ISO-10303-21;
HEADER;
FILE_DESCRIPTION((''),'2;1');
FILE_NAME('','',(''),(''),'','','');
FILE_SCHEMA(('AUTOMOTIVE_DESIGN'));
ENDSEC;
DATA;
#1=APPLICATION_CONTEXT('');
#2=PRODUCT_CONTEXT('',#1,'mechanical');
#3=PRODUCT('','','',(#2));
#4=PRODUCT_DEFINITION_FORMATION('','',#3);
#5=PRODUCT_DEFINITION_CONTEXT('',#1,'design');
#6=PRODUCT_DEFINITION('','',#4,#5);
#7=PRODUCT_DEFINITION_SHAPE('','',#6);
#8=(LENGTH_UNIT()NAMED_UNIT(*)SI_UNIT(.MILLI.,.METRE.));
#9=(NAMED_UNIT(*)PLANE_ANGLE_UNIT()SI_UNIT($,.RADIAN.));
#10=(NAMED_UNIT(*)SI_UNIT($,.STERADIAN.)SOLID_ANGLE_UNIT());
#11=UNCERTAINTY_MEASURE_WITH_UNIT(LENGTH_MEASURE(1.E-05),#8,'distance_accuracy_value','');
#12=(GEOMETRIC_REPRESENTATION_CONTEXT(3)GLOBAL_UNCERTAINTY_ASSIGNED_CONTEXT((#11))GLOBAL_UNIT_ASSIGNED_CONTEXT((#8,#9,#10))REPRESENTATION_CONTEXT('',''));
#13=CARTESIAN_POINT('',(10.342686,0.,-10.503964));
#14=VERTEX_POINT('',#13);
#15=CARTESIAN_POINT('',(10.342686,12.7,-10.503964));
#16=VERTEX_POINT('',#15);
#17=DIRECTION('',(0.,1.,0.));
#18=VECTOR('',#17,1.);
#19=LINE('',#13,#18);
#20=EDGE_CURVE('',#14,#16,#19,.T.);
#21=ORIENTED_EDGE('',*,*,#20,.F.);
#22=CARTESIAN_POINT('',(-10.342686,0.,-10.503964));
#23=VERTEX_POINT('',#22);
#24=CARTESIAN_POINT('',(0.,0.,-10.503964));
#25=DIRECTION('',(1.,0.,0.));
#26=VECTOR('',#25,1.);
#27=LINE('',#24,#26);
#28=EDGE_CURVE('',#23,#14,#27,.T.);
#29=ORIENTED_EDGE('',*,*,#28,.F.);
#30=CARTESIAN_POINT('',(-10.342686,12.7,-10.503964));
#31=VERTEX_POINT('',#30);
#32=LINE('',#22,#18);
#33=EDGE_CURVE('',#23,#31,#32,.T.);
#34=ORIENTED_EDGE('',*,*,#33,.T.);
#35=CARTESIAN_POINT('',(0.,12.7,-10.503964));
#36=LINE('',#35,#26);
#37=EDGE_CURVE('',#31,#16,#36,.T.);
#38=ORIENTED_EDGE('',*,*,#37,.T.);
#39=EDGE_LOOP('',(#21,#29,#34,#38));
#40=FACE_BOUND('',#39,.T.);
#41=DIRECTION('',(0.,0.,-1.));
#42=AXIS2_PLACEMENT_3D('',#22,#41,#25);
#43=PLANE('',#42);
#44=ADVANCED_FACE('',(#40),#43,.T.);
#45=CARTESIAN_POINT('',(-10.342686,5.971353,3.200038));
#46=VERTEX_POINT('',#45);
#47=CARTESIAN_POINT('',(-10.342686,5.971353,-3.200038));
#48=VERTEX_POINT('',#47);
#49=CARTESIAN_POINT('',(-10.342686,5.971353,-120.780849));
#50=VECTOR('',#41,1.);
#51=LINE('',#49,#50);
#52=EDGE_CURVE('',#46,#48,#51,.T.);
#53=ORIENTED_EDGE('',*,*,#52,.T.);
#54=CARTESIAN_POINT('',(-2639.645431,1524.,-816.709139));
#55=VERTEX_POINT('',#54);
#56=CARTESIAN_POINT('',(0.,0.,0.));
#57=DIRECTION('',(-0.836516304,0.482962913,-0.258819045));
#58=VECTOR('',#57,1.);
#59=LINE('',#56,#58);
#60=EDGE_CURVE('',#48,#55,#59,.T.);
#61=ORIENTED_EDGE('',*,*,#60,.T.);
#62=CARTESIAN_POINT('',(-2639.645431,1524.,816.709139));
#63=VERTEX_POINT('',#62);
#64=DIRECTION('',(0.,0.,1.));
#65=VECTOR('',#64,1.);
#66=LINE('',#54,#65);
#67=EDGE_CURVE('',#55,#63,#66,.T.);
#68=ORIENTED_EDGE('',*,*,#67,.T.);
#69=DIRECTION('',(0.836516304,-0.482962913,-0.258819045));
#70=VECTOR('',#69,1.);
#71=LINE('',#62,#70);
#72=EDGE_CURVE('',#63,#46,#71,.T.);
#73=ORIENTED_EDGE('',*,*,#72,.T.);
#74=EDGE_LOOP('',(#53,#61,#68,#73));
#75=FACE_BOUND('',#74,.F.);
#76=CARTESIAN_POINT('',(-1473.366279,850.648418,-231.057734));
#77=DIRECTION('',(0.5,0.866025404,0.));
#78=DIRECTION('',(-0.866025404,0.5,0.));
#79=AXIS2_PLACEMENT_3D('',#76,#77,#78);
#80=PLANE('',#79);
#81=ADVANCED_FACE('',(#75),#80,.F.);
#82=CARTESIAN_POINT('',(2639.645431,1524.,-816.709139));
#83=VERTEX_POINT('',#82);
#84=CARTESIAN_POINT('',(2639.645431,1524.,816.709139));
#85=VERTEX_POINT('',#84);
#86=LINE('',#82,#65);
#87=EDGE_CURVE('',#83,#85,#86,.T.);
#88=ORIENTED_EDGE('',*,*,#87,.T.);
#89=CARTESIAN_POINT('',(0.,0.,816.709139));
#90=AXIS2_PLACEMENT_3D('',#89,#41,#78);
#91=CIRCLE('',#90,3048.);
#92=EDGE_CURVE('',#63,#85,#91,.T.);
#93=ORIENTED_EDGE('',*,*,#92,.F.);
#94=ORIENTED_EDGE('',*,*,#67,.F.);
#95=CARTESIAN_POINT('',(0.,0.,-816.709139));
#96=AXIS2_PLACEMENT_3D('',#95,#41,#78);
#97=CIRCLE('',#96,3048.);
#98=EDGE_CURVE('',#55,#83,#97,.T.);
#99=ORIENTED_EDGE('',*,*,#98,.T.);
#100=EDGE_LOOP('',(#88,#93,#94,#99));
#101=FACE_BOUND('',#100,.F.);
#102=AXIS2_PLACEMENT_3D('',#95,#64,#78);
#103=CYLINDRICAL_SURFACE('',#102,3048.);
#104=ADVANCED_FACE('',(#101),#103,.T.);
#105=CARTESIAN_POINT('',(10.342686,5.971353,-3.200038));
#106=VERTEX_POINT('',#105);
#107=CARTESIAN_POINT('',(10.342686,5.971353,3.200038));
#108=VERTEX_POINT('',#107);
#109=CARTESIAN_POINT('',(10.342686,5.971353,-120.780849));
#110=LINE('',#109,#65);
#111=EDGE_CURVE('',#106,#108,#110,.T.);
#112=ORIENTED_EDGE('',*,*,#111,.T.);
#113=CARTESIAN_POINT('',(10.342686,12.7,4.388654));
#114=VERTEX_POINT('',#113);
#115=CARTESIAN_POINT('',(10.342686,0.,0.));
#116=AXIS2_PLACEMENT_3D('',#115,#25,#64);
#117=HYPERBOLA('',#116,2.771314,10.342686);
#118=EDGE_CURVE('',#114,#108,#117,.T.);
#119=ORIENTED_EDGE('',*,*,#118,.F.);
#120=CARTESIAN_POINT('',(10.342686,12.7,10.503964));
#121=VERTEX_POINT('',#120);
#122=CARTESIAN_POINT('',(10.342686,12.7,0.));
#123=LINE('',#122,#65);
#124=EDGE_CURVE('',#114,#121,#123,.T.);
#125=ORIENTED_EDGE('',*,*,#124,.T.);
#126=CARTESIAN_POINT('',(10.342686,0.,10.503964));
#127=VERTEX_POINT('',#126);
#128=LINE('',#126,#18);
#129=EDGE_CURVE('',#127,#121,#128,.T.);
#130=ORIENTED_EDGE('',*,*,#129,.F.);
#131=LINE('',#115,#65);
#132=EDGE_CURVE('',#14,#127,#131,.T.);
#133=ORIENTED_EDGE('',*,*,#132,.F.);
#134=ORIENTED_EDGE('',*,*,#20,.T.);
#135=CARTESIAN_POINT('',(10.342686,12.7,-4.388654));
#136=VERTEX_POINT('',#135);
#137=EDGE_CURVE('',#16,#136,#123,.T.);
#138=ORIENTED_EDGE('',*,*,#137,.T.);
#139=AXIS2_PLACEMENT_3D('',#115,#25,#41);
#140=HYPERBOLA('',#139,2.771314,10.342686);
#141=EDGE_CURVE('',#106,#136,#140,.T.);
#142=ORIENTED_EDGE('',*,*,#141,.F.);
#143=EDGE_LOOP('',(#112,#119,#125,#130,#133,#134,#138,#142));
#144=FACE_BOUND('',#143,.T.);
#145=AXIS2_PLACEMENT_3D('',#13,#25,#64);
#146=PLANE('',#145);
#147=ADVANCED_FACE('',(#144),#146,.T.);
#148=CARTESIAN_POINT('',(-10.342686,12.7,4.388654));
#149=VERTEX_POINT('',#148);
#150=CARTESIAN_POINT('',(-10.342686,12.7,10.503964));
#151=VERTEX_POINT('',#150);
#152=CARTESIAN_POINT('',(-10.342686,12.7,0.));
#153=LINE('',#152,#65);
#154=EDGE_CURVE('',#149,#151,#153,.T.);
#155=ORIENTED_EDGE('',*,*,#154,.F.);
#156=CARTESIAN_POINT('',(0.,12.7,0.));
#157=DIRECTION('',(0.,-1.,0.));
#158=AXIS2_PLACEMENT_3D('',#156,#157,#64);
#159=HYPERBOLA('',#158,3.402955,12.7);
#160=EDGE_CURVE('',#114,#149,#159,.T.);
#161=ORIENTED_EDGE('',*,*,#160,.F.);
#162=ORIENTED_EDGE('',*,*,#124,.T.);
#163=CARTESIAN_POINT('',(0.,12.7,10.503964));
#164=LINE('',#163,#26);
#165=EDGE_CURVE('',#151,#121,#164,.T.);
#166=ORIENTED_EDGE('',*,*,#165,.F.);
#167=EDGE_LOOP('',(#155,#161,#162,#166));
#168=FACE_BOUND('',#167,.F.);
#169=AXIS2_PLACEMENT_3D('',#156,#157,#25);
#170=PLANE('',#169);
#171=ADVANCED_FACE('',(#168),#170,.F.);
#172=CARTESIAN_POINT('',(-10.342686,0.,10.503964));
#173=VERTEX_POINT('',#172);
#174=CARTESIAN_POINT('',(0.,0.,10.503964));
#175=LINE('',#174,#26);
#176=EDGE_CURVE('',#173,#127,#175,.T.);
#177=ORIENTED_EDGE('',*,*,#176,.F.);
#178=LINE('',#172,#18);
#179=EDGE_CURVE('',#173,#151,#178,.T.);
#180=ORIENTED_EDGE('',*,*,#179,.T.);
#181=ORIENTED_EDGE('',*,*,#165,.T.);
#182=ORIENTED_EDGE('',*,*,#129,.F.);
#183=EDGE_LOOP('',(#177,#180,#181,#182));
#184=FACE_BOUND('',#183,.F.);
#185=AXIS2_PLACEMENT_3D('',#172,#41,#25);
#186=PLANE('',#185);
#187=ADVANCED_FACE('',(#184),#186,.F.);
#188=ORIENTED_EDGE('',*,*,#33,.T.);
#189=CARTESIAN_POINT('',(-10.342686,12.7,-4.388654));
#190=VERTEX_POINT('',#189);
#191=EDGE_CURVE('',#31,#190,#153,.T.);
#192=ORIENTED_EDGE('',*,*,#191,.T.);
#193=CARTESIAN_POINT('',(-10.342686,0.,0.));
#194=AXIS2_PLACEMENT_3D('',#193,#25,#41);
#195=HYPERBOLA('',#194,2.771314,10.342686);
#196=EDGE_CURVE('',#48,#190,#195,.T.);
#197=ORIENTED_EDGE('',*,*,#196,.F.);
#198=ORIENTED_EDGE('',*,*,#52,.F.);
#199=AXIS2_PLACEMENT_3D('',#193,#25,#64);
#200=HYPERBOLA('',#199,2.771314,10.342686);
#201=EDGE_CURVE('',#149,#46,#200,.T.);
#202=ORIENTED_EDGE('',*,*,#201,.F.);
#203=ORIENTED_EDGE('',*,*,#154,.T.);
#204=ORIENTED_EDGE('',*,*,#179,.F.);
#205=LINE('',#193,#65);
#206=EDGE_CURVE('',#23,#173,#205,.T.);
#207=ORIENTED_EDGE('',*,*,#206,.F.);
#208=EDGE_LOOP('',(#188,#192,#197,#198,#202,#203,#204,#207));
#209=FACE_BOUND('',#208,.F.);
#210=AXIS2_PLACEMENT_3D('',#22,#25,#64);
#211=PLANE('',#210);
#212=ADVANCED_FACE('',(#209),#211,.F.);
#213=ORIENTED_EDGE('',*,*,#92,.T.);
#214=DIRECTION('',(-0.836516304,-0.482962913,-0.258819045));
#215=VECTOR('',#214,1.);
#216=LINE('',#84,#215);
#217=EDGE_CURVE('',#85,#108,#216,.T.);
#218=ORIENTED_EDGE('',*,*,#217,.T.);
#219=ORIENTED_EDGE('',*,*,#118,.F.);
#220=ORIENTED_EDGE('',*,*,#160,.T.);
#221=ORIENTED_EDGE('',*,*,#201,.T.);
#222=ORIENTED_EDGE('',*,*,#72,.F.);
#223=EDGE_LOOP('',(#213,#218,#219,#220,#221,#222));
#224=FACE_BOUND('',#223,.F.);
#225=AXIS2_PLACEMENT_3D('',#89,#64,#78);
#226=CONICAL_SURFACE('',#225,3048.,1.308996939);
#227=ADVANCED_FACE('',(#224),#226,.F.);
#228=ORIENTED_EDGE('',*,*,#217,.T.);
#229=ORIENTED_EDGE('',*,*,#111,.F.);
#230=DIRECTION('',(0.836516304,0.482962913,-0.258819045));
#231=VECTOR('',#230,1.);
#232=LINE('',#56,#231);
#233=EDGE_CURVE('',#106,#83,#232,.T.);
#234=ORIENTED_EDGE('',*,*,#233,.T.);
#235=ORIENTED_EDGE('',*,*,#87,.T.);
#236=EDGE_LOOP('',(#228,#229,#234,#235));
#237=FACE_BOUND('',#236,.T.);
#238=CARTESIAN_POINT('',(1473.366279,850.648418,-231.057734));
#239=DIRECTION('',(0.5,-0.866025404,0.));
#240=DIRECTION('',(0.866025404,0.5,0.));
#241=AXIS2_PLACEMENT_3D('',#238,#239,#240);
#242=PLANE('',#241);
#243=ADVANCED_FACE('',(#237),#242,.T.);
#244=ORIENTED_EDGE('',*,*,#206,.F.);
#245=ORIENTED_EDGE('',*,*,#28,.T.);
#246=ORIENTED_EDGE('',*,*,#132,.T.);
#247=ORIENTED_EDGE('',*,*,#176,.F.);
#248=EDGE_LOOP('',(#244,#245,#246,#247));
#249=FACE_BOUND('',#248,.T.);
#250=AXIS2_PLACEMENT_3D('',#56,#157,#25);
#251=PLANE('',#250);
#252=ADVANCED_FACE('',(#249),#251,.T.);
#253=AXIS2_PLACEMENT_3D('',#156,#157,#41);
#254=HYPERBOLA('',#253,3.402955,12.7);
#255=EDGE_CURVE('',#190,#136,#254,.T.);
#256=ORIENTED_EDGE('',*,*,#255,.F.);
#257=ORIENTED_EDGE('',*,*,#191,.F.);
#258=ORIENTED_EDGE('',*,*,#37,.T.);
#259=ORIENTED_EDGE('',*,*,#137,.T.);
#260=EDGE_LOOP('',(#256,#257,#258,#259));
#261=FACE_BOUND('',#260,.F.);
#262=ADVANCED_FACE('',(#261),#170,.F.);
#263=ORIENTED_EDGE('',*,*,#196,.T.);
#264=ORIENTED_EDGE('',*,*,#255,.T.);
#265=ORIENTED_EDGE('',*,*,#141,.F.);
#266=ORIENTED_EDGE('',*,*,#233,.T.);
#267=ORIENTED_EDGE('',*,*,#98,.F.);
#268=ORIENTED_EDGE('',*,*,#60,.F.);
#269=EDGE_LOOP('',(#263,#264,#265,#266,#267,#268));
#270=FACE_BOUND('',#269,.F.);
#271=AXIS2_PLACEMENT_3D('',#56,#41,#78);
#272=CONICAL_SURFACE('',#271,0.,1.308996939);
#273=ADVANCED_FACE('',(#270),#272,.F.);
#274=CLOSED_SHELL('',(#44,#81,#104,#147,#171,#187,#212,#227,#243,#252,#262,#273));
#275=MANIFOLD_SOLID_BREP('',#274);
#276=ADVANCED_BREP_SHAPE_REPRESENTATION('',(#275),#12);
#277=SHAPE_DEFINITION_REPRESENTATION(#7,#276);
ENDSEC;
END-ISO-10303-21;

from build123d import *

# Parameters (mm, degrees)
F1_ANGLE_BACK = 60
F1_ANGLE      = 120
F2_W          = 20.6853728741
F2_H          = 21.0079271346
F3_DEPTH      = 12.7


with BuildPart() as f1:
    # F0 (on Right) → F1 (revolve)
    with BuildSketch(Plane.YZ, mode=Mode.PRIVATE) as f1_sk:
        Polygon((3048, 0), (0, 0), (3048, -816.7091385301), align=None)
        Polygon((3048, 816.7091385301), (0, 0), (3048, 0), align=None)
    revolve(f1_sk.sketch.rotate(Axis((0, 0, 1.1242823675), (0, 0, -1)), -F1_ANGLE_BACK), axis=Axis((0, 0, 1.1242823675), (0, 0, -1)), revolution_arc=F1_ANGLE)

    # F2 (on Front) → F3 (join)
    with BuildSketch(Plane.XZ):
        Rectangle(F2_W, F2_H)
    extrude(amount=-F3_DEPTH)


solid = f1.part
